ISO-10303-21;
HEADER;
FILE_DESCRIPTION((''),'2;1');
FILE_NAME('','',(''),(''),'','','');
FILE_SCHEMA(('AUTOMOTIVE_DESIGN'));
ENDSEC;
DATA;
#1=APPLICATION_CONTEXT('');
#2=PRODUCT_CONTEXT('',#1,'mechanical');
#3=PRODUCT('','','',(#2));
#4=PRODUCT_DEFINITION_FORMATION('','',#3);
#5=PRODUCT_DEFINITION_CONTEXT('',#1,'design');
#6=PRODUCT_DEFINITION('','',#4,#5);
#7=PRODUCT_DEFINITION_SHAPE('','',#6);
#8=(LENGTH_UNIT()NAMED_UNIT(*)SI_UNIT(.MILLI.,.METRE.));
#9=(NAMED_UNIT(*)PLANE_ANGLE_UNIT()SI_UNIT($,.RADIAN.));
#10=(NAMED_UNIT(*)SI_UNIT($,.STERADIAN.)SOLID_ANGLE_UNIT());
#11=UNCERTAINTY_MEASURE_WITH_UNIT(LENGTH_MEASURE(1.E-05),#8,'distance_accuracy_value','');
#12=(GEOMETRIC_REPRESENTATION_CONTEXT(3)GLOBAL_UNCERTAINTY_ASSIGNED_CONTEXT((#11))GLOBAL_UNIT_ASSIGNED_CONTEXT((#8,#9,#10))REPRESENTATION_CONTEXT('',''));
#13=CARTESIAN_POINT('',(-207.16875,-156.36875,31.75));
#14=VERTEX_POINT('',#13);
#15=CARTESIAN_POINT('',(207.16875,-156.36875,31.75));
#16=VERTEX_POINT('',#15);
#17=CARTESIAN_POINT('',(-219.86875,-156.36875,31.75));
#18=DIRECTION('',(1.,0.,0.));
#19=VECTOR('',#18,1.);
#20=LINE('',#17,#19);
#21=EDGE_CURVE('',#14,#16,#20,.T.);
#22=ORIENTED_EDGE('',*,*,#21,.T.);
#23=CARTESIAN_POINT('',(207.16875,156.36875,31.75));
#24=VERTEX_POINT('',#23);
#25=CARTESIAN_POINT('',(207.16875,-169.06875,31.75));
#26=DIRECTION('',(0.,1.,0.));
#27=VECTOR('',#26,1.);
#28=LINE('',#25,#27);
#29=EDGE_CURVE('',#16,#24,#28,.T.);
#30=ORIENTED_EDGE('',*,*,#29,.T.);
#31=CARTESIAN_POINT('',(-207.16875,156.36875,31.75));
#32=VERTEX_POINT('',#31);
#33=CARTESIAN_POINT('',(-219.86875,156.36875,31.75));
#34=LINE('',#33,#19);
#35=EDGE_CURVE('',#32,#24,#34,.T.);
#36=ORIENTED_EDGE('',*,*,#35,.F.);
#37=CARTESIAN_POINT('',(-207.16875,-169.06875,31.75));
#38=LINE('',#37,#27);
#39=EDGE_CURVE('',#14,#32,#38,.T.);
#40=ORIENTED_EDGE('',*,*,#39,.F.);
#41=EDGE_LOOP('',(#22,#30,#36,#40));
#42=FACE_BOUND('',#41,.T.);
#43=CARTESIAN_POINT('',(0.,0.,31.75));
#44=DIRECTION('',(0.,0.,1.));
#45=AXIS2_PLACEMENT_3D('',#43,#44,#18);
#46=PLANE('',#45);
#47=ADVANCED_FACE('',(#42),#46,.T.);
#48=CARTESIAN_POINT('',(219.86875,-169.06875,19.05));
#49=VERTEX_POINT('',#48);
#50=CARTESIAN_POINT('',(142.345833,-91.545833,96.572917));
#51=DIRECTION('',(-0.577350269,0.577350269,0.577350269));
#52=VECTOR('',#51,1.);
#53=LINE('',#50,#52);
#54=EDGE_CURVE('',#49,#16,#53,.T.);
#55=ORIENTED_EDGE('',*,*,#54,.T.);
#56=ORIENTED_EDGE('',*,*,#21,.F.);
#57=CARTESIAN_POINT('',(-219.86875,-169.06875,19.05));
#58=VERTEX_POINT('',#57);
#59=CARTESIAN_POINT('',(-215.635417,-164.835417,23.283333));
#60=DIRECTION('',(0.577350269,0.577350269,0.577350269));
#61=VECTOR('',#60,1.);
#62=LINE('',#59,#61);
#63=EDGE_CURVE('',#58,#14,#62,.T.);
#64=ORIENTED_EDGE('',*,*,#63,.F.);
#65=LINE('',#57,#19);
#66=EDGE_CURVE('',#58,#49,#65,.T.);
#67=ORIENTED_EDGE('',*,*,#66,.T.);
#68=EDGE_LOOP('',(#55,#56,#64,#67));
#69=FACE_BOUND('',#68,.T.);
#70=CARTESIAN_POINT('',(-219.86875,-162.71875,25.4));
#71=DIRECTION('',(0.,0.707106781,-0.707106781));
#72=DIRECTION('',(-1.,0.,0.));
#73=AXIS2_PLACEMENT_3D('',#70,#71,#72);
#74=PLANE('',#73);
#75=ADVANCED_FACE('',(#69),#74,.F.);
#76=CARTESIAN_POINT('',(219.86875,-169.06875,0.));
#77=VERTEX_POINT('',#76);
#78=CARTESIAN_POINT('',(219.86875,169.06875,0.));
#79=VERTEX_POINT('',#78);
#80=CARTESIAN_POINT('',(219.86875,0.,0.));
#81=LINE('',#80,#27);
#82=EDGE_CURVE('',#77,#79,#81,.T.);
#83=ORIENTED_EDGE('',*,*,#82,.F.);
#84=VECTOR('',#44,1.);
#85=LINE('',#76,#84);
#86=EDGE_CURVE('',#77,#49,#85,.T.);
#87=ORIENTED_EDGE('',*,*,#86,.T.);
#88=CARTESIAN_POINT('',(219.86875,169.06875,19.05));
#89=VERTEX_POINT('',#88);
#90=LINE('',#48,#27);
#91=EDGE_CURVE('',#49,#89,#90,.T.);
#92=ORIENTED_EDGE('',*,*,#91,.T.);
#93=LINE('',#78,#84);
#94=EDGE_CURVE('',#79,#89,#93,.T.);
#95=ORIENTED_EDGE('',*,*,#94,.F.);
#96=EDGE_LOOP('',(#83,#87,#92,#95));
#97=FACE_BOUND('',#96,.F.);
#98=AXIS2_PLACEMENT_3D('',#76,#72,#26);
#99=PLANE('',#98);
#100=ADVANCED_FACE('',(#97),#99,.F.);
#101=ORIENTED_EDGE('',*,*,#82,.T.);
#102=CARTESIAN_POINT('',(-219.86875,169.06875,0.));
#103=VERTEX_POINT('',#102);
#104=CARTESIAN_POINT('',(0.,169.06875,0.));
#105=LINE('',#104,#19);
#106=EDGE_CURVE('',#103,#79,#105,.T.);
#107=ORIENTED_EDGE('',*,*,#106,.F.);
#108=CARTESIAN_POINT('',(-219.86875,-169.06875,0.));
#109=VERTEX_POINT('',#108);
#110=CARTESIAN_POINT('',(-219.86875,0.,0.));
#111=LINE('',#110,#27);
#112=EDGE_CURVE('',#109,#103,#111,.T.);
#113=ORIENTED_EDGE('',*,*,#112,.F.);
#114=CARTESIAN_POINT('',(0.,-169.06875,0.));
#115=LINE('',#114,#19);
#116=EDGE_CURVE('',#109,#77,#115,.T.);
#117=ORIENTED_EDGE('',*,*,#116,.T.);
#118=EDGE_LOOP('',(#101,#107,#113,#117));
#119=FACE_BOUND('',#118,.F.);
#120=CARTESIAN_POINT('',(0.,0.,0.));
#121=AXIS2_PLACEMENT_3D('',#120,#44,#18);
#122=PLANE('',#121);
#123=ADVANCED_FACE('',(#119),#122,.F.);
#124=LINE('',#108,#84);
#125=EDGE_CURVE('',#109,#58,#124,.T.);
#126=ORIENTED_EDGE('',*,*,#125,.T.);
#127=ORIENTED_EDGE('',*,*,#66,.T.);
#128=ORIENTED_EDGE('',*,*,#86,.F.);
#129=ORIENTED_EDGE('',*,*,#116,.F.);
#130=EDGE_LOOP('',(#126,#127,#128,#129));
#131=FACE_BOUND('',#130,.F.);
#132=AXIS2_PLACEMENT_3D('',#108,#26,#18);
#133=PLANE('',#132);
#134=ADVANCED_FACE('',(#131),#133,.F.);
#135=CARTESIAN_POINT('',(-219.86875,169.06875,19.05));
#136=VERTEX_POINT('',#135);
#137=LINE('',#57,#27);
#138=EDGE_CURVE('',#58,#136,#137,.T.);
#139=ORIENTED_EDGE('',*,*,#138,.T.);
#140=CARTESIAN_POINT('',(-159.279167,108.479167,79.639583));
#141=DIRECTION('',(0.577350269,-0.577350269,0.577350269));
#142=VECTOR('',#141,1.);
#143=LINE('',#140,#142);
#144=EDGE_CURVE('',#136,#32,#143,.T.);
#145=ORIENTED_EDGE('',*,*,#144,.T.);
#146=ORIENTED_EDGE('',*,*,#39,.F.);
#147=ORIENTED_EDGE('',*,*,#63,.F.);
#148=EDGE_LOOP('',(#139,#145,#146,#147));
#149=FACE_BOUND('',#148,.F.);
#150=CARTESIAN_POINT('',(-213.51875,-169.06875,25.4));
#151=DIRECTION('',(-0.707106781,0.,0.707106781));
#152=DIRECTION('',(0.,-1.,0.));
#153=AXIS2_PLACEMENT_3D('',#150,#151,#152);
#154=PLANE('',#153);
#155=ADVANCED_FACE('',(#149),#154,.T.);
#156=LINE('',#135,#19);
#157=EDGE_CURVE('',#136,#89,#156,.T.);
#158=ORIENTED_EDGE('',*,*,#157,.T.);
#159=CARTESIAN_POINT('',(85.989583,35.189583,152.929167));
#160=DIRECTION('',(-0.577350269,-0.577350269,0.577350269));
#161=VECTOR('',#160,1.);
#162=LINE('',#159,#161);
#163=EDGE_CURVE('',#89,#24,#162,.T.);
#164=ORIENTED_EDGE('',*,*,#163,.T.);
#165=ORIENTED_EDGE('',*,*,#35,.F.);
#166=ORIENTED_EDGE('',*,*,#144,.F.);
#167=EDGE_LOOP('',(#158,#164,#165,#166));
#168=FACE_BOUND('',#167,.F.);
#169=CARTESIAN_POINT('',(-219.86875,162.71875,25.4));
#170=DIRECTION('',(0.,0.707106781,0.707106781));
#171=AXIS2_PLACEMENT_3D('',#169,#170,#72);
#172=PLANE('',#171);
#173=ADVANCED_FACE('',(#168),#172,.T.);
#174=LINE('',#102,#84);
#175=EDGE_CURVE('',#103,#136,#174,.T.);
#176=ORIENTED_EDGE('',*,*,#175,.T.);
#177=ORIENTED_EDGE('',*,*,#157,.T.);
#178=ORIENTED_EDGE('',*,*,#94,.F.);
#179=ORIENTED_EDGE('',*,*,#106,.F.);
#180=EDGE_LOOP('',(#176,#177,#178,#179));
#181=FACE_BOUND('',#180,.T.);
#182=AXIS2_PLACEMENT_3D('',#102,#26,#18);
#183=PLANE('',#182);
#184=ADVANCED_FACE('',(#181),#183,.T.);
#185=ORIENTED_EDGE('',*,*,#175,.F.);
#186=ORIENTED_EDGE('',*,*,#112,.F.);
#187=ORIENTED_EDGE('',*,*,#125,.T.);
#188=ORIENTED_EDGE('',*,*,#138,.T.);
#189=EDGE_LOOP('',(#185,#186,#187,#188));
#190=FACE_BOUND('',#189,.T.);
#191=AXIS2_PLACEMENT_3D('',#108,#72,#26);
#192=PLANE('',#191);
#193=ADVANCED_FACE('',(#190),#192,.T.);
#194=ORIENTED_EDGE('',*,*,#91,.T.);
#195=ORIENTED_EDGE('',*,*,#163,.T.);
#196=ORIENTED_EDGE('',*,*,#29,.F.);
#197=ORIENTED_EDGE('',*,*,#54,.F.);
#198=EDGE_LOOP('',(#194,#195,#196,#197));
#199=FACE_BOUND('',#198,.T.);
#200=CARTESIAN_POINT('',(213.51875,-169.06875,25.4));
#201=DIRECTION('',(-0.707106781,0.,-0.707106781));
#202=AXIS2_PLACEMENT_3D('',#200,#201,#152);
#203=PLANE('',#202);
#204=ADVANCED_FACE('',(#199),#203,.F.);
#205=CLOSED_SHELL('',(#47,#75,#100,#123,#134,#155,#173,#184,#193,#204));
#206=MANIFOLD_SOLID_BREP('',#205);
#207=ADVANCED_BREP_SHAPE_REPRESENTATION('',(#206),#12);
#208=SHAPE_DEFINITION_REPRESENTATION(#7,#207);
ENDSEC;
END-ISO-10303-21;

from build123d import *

# Parameters (mm, degrees)
F0_W     = 439.7375
F0_H     = 338.1375
F1_DEPTH = 31.75
F2_SIZE  = 12.7


with BuildPart() as f1:
    # F0 (on Top) → F1 (new body)
    with BuildSketch(Plane.XY):
        Rectangle(F0_W, F0_H)
    extrude(amount=F1_DEPTH)

    # F2
    f2_edges = [f1.edges().sort_by_distance(p)[0] for p in [
        (-219.86875, 0, 31.75),
        (0, -169.06875, 31.75),
        (219.86875, 0, 31.75),
        (0, 169.06875, 31.75),
    ]]
    chamfer(f2_edges, length=F2_SIZE)


solid = f1.part
